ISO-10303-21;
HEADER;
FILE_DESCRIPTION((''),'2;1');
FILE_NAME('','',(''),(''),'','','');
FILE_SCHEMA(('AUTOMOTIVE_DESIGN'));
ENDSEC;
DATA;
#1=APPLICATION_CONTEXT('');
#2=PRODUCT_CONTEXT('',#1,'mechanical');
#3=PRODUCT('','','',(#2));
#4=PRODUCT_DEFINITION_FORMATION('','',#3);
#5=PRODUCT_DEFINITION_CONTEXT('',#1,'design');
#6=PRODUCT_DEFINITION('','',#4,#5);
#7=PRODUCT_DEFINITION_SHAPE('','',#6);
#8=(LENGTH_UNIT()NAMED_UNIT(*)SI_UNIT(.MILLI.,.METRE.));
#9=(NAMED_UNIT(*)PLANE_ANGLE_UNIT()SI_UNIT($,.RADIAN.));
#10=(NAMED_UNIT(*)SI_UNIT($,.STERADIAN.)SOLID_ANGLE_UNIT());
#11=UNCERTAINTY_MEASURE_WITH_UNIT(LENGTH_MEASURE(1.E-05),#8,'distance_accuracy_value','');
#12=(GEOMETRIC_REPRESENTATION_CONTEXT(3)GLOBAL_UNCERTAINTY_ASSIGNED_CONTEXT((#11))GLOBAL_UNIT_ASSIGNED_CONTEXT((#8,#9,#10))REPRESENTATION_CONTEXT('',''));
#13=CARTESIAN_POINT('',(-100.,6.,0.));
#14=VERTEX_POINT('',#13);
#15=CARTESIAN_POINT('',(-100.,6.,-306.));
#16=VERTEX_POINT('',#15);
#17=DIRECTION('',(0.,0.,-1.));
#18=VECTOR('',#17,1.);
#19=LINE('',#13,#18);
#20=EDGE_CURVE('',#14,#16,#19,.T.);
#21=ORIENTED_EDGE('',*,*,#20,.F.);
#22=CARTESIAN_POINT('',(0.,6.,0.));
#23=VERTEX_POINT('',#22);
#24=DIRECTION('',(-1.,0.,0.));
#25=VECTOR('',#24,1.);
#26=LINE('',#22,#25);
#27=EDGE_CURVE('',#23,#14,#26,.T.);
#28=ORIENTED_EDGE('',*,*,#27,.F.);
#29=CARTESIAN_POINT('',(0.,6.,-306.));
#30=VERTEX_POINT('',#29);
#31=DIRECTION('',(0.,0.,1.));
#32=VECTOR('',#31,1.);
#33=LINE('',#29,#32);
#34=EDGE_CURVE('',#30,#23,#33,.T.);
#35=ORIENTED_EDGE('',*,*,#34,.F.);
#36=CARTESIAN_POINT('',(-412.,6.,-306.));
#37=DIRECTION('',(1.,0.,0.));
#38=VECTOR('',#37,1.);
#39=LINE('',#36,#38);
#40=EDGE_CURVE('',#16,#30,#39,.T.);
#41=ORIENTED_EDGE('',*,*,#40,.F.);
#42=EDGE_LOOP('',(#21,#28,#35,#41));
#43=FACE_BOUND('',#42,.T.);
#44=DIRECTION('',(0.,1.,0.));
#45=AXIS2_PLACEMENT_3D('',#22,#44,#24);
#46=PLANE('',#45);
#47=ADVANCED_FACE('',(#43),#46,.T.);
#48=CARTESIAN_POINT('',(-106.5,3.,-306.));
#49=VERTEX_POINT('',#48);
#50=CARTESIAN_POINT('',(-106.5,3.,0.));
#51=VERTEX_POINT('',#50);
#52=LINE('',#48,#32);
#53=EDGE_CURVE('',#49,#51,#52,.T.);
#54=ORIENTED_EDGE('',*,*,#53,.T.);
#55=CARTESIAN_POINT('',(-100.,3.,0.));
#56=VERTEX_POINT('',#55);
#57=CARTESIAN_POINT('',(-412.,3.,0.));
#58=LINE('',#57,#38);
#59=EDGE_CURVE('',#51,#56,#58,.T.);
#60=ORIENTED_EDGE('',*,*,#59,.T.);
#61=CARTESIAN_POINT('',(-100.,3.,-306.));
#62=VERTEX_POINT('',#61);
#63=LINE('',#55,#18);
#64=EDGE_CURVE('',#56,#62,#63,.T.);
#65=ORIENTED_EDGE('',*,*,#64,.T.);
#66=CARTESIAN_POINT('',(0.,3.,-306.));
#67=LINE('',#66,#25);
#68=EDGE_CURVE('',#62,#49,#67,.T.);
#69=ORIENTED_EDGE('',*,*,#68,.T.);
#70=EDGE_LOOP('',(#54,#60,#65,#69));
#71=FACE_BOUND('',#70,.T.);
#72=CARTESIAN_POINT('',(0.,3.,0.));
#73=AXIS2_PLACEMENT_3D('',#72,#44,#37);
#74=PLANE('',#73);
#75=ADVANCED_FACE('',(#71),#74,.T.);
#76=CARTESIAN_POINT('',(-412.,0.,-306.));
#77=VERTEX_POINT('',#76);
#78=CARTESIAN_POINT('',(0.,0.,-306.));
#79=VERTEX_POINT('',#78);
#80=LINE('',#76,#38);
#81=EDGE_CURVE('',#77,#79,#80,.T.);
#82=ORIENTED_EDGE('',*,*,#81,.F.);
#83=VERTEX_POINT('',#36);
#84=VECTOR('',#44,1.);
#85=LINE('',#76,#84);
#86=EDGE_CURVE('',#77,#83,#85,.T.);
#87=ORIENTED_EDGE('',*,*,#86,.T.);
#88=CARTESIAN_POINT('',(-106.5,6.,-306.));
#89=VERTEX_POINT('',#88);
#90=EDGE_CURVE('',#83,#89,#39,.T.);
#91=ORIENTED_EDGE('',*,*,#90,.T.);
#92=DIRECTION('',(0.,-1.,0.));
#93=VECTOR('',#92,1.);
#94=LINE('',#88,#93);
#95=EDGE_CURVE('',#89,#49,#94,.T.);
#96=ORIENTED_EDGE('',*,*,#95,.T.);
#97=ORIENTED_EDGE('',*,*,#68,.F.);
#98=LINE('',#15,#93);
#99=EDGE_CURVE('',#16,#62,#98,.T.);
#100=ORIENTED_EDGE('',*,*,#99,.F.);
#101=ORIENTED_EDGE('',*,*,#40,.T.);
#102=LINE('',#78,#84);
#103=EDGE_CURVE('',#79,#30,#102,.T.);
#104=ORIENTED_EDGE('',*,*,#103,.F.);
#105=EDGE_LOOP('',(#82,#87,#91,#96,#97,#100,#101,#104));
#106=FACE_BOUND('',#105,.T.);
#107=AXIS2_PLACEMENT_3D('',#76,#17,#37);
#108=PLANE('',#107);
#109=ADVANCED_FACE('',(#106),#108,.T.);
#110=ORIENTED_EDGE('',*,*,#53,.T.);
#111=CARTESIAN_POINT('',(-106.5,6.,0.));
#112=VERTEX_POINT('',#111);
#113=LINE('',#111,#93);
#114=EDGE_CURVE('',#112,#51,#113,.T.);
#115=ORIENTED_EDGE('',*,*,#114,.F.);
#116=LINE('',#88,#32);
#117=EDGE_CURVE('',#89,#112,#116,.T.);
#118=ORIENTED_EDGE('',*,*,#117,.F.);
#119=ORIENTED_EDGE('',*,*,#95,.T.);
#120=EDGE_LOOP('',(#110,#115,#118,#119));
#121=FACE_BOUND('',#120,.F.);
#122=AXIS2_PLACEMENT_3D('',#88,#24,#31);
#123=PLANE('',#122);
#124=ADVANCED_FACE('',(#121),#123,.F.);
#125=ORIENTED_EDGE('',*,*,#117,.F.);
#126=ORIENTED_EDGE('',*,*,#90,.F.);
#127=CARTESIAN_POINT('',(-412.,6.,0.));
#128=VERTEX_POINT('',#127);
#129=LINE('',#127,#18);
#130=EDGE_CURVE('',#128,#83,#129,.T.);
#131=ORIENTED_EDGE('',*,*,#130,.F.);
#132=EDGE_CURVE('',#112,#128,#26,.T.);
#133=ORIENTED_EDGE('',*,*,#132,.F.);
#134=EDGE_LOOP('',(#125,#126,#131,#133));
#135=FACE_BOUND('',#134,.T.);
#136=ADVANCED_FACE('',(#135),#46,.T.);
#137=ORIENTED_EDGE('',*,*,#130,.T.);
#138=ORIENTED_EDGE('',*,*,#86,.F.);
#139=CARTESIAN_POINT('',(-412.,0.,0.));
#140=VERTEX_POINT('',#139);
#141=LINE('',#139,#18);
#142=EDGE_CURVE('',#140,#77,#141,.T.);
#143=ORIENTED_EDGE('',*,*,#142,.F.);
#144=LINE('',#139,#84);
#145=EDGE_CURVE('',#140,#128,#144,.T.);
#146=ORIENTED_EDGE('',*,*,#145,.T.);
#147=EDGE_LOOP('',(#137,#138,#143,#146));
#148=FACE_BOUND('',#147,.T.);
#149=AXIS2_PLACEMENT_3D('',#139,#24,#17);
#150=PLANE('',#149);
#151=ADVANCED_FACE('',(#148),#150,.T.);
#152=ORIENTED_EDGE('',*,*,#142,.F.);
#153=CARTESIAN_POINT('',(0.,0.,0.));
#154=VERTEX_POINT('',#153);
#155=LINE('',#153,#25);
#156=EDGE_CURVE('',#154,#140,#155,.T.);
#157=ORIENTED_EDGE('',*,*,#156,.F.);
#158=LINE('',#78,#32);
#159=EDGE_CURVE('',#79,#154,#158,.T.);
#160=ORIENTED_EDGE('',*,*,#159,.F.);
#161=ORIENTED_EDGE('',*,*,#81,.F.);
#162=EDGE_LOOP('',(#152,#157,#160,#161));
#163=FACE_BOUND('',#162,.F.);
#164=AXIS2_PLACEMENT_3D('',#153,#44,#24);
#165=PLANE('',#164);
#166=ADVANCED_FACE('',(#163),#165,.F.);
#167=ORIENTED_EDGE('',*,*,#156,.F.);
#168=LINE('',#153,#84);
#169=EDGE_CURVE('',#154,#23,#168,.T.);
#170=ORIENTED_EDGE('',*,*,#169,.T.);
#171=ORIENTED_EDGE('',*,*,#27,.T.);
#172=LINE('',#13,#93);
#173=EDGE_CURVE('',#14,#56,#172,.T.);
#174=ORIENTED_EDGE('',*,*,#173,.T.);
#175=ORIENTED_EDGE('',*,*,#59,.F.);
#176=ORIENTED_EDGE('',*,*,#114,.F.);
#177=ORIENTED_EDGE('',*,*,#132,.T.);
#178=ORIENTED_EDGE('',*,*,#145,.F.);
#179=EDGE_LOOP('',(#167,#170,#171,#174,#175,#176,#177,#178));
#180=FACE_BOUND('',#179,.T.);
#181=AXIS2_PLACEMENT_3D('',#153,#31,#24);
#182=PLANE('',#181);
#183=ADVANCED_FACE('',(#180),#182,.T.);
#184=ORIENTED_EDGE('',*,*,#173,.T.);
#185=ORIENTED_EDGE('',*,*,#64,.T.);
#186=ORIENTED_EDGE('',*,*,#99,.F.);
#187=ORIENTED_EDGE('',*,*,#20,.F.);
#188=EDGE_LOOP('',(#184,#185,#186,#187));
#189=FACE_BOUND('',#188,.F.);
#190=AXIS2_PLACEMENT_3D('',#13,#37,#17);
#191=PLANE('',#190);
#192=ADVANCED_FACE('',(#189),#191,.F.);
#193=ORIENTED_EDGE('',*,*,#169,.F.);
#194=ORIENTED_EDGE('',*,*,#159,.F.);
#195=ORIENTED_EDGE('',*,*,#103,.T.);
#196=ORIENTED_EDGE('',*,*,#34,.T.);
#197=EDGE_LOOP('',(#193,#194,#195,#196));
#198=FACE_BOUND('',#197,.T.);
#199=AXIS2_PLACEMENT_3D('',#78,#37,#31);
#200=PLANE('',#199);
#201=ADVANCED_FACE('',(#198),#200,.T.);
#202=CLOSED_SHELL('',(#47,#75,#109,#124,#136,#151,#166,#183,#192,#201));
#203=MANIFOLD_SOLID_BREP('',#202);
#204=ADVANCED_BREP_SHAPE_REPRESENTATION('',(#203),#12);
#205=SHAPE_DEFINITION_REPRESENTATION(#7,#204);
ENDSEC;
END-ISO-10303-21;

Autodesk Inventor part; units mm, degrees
ref_plane "YZ Plane" through (0, 0, 0) normal (1, 0, 0) x (0, 1, 0)
ref_plane "XZ Plane" through (0, 0, 0) normal (0, 1, 0) x (-1, 0, 0)
ref_plane "XY Plane" through (0, 0, 0) normal (0, 0, 1) x (1, 0, 0)
sketch "Sketch1" plane through (0, 0, 0) normal (0, 1, 0) x (-1, 0, 0)
  line L0 (0, 0) -> (412, 0)
  line L1 (412, 0) -> (412, -306)
  line L2 (412, -306) -> (0, -306)
  line L3 (0, -306) -> (0, 0)
  dimension "d0" = 306
  dimension "d1" = 412
extrude "Extrusion1" add sketch "Sketch1" along normal blind 6
sketch "Sketch2" plane through (0, 6, 0) normal (0, 1, 0) x (1, 0, 0)
  line L0 (-412, 0) -> (0, 0) projected
  line L1 (0, 306) -> (-412, 306) projected
  line L2 (-106.5, 0) -> (-100, 0)
  line L3 (-100, 0) -> (-100, 306)
  line L4 (-100, 306) -> (-106.5, 306)
  line L5 (-106.5, 306) -> (-106.5, 0)
  line L6 (0, 0) -> (0, 306) projected
  dimension "d4" = 6.5
  dimension "d5" = 100
extrude "Extrusion2" cut sketch "Sketch2" against normal blind 3 contours L5 L1 L3 L0
properties part number "planche_bas" material "Wood (Birch)"
